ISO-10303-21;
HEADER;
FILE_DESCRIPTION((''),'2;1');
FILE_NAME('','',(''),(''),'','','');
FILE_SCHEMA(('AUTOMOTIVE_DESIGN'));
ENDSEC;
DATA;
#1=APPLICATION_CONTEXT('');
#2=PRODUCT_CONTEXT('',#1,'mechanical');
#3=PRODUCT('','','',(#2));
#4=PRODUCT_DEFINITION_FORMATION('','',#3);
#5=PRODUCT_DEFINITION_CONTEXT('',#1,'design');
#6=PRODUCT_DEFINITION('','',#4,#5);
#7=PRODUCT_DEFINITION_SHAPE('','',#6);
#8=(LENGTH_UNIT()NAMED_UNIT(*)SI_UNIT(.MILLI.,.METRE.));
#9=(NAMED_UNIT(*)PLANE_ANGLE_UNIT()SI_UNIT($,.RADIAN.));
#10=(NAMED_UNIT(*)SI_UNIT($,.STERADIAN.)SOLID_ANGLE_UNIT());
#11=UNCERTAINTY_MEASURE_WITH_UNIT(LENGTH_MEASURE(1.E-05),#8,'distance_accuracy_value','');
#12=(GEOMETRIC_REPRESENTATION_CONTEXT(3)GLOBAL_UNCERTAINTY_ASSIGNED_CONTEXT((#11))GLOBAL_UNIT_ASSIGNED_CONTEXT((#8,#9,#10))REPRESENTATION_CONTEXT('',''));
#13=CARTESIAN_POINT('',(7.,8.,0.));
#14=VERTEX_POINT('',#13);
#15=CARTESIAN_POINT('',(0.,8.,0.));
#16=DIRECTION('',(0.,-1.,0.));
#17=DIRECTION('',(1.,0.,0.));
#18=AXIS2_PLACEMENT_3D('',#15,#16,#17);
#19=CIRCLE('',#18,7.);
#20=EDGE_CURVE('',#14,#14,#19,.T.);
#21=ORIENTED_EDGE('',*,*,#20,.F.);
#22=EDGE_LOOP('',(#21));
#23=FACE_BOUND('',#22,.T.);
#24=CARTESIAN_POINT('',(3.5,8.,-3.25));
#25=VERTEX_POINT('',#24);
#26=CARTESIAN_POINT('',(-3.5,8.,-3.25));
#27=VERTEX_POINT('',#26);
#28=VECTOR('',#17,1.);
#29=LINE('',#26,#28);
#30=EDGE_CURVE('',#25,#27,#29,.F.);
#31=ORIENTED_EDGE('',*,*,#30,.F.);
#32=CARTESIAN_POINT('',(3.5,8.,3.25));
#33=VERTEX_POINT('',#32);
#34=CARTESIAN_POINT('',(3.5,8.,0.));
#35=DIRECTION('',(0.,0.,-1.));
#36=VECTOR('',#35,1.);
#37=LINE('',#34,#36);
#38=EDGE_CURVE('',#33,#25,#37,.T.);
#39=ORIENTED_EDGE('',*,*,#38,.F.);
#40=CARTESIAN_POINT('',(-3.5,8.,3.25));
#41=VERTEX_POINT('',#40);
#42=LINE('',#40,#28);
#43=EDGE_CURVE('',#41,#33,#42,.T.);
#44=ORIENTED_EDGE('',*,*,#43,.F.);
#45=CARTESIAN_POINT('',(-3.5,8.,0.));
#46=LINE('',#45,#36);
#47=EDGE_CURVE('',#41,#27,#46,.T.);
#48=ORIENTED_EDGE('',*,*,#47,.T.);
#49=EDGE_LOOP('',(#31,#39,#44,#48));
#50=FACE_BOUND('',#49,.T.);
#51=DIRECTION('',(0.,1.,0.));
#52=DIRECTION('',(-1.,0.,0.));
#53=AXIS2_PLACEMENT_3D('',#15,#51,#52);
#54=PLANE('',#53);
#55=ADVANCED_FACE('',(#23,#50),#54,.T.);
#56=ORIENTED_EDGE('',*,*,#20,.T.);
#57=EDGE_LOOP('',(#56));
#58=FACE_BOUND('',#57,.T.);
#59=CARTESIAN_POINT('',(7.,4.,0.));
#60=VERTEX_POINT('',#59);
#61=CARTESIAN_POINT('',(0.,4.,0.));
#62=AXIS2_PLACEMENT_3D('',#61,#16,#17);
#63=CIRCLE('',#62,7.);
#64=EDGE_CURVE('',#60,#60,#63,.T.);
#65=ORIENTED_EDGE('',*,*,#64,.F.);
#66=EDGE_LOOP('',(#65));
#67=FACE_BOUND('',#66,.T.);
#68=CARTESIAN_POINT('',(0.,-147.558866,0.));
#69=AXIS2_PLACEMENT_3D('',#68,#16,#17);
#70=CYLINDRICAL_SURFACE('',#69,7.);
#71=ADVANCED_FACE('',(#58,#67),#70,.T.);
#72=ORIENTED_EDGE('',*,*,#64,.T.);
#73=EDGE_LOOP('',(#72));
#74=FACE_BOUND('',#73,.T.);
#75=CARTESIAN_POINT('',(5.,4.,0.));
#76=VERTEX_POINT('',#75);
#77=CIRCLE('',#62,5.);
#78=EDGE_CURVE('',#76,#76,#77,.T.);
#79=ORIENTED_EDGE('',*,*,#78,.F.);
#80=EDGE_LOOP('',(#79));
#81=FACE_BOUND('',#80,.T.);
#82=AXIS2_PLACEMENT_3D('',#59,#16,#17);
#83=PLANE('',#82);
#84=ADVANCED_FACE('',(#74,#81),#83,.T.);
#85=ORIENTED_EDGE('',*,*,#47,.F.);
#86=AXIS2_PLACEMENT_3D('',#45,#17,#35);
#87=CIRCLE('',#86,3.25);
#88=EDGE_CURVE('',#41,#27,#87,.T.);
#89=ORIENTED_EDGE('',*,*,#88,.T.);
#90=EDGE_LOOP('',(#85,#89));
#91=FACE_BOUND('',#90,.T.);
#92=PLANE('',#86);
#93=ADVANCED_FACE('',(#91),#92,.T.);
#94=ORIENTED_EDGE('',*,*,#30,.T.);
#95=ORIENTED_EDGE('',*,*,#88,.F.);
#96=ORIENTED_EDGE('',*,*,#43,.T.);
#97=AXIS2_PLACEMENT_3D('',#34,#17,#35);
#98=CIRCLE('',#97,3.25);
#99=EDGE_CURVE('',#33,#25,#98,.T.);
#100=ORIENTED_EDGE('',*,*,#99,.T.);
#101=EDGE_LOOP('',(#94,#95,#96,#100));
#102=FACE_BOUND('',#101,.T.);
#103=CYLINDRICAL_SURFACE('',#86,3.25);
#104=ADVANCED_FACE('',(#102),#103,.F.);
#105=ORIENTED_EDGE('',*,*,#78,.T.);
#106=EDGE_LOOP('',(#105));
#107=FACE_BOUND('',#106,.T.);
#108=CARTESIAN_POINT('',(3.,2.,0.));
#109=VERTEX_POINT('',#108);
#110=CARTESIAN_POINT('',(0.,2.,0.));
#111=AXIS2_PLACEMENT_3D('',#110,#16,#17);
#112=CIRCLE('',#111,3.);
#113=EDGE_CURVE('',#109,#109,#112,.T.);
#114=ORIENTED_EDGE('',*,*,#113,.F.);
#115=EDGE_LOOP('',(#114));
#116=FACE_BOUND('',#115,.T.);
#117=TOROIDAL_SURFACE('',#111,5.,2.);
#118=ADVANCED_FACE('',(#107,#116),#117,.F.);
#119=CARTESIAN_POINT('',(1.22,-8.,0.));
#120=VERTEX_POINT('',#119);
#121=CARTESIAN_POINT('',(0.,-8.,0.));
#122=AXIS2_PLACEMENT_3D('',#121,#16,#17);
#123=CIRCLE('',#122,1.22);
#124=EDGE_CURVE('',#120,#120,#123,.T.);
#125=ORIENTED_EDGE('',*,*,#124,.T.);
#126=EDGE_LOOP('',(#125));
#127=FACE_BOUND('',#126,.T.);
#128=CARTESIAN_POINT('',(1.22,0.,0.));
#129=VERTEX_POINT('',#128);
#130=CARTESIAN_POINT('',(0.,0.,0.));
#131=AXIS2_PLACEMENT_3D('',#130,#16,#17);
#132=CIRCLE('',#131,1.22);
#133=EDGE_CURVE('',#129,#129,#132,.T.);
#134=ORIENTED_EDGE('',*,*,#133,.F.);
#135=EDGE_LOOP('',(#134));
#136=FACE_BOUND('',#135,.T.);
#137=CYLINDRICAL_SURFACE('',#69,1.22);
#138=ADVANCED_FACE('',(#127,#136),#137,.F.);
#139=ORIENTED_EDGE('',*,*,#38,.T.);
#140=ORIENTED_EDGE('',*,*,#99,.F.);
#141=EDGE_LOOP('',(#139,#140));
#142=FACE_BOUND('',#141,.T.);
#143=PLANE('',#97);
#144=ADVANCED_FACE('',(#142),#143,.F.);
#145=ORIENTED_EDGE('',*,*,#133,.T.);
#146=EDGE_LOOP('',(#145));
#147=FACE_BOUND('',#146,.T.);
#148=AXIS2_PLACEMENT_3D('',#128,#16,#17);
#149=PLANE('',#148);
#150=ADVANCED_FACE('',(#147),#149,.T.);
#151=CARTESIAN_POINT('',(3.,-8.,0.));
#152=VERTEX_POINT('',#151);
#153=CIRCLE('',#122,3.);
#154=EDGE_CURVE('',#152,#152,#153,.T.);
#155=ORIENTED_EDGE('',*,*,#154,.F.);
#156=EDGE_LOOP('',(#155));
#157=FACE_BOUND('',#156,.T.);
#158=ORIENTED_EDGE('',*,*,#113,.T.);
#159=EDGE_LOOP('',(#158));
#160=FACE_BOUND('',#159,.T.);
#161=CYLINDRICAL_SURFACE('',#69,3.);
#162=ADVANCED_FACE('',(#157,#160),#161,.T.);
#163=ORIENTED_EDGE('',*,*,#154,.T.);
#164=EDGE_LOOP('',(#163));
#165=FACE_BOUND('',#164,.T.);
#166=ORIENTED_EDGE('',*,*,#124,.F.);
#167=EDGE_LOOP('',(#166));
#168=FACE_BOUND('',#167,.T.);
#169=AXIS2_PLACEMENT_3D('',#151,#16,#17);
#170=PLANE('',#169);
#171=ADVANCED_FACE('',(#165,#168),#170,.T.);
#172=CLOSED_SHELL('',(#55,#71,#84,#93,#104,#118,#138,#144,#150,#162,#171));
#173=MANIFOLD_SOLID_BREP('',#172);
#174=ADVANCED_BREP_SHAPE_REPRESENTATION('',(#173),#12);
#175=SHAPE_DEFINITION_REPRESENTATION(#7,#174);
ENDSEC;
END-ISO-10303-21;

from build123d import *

# Parameters (mm, degrees)
SKETCH_2_R          = 3.25
CUT_EXTRUDE_1_DEPTH = 3.5


with BuildPart() as part:
    # 草图1 → 旋转1 (revolve)
    with BuildSketch(Plane.XY):
        with BuildLine():
            Line((0, 8), (7, 8))
            Line((7, 8), (7, 4))
            Line((7, 4), (5, 4))
            ThreePointArc((5, 4), (3.585786438, 3.414213562), (3, 2))
            Line((3, 2), (3, -8))
            Line((3, -8), (1.22, -8))
            Line((1.22, -8), (1.22, 0))
            Line((1.22, 0), (0, 0))
            Line((0, 0), (0, 8))
        make_face()
    revolve(axis=Axis((0, -147.558866066, 0), (0, 1, 0)))

    # 草图2 → 切除-拉伸1 (cut, symmetric)
    with BuildSketch(Plane(origin=(0, 0, 0), x_dir=(0, 0, -1), z_dir=(1, 0, 0))):
        with Locations((0, 8)):
            Circle(SKETCH_2_R)
    extrude(amount=CUT_EXTRUDE_1_DEPTH, both=True, mode=Mode.SUBTRACT)


solid = part.part
